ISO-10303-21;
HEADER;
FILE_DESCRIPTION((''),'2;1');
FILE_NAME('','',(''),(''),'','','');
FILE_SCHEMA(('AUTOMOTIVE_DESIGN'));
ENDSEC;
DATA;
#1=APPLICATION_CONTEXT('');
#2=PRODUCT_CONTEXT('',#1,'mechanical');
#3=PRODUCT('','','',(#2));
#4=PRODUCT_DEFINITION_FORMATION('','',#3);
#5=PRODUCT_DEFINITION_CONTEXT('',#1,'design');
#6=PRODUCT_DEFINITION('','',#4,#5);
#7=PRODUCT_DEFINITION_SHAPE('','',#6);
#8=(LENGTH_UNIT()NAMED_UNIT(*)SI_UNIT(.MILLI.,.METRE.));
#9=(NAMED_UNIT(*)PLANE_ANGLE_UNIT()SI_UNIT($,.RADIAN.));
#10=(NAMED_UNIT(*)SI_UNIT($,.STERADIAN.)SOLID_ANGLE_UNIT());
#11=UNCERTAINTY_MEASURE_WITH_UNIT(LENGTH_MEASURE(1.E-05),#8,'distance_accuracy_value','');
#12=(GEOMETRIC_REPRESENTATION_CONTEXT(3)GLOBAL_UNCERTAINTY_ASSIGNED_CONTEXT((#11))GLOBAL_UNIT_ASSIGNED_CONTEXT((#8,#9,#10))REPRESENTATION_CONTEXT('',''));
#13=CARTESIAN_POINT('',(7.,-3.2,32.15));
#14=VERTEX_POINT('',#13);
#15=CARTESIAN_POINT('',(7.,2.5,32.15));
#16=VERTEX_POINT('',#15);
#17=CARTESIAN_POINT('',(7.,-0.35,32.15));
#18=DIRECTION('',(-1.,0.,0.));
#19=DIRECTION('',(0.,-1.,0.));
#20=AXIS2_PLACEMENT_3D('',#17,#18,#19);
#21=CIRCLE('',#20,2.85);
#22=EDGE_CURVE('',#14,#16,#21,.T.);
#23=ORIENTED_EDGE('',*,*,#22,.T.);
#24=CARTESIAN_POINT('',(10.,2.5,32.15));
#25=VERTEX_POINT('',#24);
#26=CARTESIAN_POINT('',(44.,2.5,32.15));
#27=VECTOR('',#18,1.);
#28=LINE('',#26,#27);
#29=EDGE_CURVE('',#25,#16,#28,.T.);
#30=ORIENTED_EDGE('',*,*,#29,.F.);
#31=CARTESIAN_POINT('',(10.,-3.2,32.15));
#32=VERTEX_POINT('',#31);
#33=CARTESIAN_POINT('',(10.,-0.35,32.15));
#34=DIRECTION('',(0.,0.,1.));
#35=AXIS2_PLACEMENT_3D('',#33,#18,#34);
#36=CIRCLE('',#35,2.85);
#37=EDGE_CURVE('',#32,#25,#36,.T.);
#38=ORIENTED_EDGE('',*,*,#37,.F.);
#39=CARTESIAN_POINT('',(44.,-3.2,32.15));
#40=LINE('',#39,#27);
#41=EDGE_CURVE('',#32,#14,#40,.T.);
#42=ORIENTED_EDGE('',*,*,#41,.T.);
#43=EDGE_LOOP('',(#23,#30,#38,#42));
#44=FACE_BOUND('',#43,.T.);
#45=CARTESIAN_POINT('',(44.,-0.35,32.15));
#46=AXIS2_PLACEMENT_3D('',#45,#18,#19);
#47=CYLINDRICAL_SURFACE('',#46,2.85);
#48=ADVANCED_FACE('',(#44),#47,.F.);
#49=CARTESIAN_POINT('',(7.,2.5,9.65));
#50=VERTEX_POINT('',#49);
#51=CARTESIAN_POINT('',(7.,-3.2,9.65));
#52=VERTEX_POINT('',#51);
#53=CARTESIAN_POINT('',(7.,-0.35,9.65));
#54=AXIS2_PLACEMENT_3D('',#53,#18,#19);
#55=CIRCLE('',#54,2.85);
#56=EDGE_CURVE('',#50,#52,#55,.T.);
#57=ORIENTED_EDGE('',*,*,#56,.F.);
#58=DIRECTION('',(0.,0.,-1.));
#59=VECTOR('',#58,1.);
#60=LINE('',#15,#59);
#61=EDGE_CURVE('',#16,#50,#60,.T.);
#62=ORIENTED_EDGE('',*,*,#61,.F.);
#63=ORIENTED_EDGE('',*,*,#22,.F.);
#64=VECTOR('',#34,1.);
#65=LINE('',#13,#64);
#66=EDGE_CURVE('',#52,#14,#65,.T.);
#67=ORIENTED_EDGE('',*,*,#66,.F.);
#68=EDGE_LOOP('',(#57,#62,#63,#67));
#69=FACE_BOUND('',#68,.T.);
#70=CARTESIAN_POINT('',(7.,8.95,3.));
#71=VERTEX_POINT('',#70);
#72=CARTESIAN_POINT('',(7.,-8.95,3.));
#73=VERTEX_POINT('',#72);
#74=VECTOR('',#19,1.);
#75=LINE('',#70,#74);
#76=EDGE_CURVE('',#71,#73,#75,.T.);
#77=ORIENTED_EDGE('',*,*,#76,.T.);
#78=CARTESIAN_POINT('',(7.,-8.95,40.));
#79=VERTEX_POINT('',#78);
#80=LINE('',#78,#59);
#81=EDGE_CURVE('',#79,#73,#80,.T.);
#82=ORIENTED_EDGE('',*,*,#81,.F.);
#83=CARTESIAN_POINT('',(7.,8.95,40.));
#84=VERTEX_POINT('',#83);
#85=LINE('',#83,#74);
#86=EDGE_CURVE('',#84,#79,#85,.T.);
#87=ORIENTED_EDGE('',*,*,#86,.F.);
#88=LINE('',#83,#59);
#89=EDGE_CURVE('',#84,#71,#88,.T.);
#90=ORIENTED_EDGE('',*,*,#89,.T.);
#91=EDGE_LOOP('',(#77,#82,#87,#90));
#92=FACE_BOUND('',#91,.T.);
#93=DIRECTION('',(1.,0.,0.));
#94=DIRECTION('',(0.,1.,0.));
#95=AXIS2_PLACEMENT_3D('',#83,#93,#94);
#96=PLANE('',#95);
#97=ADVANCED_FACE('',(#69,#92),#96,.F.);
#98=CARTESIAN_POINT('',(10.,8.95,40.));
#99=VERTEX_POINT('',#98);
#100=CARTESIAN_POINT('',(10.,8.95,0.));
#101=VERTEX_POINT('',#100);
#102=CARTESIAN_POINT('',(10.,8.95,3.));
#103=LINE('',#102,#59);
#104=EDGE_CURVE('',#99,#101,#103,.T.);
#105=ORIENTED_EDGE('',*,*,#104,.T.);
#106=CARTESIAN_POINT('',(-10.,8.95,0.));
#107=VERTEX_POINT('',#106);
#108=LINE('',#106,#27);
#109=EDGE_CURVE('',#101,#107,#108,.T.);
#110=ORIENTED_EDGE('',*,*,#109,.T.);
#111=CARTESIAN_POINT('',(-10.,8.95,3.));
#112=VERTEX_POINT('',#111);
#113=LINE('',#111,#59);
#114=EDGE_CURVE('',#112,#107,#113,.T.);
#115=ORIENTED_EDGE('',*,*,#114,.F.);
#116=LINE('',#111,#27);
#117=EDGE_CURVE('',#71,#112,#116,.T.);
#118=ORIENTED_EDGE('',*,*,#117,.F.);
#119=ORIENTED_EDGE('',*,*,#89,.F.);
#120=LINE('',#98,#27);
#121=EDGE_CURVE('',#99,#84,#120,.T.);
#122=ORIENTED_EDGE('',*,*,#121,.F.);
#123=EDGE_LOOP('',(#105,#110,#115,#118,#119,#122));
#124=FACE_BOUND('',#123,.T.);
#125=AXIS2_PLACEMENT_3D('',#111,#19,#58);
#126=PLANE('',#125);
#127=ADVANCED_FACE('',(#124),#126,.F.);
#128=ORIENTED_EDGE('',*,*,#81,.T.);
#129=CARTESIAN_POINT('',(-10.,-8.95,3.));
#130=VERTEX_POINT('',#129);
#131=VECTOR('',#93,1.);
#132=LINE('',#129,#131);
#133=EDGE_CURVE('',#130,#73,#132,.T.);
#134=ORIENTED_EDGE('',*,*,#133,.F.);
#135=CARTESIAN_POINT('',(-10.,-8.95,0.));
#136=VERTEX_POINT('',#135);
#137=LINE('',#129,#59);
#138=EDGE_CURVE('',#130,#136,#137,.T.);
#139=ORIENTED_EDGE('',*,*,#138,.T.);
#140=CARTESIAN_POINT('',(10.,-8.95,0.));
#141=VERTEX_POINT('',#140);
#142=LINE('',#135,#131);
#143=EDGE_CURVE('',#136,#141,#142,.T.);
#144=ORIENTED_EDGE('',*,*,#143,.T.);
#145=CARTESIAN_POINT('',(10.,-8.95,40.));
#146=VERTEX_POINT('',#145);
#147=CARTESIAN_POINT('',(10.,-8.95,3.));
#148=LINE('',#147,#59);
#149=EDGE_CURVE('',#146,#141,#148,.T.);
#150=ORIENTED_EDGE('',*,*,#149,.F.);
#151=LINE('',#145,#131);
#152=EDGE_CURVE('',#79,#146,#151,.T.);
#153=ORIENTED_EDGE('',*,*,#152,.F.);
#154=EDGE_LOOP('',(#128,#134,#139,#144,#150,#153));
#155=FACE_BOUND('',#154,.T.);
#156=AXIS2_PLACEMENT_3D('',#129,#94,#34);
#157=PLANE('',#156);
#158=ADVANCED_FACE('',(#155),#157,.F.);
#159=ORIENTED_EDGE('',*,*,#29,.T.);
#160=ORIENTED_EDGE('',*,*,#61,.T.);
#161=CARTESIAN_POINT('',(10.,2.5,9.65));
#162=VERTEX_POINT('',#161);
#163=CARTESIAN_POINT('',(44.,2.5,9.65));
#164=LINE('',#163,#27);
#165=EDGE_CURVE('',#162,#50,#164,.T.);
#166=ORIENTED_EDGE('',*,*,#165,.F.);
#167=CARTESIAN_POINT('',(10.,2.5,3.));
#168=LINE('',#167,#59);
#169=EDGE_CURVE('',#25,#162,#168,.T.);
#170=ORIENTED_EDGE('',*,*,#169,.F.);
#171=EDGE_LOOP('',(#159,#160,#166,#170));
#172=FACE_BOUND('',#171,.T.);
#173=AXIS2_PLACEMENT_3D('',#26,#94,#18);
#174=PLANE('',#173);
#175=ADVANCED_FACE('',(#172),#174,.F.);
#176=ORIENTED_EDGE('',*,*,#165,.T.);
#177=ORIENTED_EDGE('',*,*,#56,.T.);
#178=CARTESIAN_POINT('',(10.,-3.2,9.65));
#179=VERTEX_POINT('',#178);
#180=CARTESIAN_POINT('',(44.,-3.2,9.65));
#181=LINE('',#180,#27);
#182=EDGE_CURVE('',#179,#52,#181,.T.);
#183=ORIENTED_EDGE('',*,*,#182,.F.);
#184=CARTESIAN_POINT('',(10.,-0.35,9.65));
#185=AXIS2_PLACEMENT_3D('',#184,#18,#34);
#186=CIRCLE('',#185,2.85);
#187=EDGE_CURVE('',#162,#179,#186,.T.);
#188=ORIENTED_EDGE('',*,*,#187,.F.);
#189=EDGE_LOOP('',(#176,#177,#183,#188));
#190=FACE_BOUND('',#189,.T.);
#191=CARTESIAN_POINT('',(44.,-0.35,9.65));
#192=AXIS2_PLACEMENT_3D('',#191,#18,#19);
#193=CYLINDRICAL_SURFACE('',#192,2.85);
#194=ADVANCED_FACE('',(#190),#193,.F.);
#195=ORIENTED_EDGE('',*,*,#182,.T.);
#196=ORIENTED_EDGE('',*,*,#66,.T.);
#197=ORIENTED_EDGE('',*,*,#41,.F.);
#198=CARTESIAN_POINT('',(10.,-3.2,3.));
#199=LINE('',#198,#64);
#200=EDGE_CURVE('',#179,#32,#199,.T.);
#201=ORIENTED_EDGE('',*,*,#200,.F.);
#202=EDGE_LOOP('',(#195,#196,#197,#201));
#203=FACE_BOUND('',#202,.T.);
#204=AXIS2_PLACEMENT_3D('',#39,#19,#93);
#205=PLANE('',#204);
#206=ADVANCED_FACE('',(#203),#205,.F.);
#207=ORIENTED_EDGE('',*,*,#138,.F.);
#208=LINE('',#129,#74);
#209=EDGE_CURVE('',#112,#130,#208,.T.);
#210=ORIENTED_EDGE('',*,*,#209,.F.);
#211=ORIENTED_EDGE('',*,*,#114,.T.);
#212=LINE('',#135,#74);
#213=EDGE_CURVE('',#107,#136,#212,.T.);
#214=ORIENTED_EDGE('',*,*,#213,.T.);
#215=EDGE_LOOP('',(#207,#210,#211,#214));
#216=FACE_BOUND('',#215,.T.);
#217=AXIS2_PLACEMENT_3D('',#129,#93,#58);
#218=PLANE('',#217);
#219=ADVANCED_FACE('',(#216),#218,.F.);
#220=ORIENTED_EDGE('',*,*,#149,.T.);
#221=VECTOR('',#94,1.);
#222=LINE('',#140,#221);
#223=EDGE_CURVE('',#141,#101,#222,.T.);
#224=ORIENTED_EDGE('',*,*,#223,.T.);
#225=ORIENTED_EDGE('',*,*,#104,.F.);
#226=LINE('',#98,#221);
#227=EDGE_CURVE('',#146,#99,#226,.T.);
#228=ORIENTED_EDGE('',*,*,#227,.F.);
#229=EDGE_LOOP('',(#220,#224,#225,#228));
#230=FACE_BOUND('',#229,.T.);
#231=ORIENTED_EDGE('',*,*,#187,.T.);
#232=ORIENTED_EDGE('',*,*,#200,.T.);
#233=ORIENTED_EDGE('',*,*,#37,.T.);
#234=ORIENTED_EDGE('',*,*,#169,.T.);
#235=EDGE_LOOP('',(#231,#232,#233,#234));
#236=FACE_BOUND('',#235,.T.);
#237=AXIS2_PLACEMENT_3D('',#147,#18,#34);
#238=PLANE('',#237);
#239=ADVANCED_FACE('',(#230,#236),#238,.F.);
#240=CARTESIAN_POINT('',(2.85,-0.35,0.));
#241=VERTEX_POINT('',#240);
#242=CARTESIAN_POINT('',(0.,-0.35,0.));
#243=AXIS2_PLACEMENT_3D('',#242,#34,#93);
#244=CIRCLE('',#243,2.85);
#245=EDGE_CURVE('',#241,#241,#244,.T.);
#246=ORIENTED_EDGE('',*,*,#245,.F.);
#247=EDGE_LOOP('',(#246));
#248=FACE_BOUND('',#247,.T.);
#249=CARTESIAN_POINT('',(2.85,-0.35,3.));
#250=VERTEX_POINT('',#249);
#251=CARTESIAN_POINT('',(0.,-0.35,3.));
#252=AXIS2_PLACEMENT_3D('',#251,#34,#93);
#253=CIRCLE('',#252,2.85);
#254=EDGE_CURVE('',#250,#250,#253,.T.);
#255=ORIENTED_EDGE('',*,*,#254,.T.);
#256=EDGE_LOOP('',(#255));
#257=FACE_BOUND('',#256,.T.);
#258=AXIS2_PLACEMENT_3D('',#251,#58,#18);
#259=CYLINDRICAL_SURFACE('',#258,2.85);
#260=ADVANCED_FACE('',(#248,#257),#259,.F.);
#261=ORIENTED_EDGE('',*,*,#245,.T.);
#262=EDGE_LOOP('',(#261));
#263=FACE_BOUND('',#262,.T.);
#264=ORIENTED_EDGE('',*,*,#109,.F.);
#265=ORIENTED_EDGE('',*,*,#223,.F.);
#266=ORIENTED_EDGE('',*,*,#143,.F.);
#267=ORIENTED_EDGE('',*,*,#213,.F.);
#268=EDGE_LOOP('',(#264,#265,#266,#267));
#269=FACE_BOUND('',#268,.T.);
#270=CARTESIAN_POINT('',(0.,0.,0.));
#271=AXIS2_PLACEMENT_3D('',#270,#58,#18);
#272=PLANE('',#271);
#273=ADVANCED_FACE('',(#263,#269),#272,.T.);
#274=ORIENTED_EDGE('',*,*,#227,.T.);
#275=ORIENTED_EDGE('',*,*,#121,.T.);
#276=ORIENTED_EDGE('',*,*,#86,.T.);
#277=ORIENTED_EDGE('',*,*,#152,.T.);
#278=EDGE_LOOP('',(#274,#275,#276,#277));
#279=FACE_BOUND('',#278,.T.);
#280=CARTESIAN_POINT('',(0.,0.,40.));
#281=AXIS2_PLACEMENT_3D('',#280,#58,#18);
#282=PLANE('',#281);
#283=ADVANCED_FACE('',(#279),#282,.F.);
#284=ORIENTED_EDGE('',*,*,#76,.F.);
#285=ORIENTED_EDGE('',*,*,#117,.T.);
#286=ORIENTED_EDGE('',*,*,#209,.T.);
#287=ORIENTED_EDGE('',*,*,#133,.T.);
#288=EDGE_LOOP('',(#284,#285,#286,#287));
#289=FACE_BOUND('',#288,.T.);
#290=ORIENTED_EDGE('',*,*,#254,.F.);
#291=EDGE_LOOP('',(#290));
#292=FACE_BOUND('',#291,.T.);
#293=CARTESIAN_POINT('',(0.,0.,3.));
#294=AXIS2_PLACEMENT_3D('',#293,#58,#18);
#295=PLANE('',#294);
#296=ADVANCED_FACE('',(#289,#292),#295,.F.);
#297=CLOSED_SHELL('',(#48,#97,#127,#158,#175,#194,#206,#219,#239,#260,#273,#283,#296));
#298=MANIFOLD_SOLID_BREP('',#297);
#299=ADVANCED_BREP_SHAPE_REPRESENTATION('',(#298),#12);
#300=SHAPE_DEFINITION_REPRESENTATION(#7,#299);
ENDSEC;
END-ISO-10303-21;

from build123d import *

# Parameters (mm, degrees)
SKETCH_1_W          = 20
SKETCH_1_H          = 17.9
SKETCH_1_R          = 2.85
EXTRUDE_1_DEPTH     = 3
SKETCH_2_W          = 3
SKETCH_2_H          = 17.9
EXTRUDE_2_DEPTH     = 37
CUT_EXTRUDE_1_DEPTH = 37


with BuildPart() as part:
    # 草图1 → 凸台-拉伸1 (new body)
    with BuildSketch(Plane.XY):
        Rectangle(SKETCH_1_W, SKETCH_1_H)
        with Locations((0, -0.35)):
            Circle(SKETCH_1_R, mode=Mode.SUBTRACT)
    extrude(amount=EXTRUDE_1_DEPTH)

    # 草图2 → 凸台-拉伸2 (add)
    with BuildSketch(Plane.XY.offset(3)):
        with Locations((8.5, 0)):
            Rectangle(SKETCH_2_W, SKETCH_2_H)
    extrude(amount=EXTRUDE_2_DEPTH)

    # 草图3 → 切除-拉伸1 (cut)
    with BuildSketch(Plane.ZY.offset(-7)):
        with BuildLine():
            Line((32.15, -3.2), (9.65, -3.2))
            ThreePointArc((9.65, -3.2), (6.8, -0.35), (9.65, 2.5))
            Line((9.65, 2.5), (32.15, 2.5))
            ThreePointArc((32.15, 2.5), (35, -0.35), (32.15, -3.2))
        make_face()
    extrude(amount=-CUT_EXTRUDE_1_DEPTH, mode=Mode.SUBTRACT)


solid = part.part
